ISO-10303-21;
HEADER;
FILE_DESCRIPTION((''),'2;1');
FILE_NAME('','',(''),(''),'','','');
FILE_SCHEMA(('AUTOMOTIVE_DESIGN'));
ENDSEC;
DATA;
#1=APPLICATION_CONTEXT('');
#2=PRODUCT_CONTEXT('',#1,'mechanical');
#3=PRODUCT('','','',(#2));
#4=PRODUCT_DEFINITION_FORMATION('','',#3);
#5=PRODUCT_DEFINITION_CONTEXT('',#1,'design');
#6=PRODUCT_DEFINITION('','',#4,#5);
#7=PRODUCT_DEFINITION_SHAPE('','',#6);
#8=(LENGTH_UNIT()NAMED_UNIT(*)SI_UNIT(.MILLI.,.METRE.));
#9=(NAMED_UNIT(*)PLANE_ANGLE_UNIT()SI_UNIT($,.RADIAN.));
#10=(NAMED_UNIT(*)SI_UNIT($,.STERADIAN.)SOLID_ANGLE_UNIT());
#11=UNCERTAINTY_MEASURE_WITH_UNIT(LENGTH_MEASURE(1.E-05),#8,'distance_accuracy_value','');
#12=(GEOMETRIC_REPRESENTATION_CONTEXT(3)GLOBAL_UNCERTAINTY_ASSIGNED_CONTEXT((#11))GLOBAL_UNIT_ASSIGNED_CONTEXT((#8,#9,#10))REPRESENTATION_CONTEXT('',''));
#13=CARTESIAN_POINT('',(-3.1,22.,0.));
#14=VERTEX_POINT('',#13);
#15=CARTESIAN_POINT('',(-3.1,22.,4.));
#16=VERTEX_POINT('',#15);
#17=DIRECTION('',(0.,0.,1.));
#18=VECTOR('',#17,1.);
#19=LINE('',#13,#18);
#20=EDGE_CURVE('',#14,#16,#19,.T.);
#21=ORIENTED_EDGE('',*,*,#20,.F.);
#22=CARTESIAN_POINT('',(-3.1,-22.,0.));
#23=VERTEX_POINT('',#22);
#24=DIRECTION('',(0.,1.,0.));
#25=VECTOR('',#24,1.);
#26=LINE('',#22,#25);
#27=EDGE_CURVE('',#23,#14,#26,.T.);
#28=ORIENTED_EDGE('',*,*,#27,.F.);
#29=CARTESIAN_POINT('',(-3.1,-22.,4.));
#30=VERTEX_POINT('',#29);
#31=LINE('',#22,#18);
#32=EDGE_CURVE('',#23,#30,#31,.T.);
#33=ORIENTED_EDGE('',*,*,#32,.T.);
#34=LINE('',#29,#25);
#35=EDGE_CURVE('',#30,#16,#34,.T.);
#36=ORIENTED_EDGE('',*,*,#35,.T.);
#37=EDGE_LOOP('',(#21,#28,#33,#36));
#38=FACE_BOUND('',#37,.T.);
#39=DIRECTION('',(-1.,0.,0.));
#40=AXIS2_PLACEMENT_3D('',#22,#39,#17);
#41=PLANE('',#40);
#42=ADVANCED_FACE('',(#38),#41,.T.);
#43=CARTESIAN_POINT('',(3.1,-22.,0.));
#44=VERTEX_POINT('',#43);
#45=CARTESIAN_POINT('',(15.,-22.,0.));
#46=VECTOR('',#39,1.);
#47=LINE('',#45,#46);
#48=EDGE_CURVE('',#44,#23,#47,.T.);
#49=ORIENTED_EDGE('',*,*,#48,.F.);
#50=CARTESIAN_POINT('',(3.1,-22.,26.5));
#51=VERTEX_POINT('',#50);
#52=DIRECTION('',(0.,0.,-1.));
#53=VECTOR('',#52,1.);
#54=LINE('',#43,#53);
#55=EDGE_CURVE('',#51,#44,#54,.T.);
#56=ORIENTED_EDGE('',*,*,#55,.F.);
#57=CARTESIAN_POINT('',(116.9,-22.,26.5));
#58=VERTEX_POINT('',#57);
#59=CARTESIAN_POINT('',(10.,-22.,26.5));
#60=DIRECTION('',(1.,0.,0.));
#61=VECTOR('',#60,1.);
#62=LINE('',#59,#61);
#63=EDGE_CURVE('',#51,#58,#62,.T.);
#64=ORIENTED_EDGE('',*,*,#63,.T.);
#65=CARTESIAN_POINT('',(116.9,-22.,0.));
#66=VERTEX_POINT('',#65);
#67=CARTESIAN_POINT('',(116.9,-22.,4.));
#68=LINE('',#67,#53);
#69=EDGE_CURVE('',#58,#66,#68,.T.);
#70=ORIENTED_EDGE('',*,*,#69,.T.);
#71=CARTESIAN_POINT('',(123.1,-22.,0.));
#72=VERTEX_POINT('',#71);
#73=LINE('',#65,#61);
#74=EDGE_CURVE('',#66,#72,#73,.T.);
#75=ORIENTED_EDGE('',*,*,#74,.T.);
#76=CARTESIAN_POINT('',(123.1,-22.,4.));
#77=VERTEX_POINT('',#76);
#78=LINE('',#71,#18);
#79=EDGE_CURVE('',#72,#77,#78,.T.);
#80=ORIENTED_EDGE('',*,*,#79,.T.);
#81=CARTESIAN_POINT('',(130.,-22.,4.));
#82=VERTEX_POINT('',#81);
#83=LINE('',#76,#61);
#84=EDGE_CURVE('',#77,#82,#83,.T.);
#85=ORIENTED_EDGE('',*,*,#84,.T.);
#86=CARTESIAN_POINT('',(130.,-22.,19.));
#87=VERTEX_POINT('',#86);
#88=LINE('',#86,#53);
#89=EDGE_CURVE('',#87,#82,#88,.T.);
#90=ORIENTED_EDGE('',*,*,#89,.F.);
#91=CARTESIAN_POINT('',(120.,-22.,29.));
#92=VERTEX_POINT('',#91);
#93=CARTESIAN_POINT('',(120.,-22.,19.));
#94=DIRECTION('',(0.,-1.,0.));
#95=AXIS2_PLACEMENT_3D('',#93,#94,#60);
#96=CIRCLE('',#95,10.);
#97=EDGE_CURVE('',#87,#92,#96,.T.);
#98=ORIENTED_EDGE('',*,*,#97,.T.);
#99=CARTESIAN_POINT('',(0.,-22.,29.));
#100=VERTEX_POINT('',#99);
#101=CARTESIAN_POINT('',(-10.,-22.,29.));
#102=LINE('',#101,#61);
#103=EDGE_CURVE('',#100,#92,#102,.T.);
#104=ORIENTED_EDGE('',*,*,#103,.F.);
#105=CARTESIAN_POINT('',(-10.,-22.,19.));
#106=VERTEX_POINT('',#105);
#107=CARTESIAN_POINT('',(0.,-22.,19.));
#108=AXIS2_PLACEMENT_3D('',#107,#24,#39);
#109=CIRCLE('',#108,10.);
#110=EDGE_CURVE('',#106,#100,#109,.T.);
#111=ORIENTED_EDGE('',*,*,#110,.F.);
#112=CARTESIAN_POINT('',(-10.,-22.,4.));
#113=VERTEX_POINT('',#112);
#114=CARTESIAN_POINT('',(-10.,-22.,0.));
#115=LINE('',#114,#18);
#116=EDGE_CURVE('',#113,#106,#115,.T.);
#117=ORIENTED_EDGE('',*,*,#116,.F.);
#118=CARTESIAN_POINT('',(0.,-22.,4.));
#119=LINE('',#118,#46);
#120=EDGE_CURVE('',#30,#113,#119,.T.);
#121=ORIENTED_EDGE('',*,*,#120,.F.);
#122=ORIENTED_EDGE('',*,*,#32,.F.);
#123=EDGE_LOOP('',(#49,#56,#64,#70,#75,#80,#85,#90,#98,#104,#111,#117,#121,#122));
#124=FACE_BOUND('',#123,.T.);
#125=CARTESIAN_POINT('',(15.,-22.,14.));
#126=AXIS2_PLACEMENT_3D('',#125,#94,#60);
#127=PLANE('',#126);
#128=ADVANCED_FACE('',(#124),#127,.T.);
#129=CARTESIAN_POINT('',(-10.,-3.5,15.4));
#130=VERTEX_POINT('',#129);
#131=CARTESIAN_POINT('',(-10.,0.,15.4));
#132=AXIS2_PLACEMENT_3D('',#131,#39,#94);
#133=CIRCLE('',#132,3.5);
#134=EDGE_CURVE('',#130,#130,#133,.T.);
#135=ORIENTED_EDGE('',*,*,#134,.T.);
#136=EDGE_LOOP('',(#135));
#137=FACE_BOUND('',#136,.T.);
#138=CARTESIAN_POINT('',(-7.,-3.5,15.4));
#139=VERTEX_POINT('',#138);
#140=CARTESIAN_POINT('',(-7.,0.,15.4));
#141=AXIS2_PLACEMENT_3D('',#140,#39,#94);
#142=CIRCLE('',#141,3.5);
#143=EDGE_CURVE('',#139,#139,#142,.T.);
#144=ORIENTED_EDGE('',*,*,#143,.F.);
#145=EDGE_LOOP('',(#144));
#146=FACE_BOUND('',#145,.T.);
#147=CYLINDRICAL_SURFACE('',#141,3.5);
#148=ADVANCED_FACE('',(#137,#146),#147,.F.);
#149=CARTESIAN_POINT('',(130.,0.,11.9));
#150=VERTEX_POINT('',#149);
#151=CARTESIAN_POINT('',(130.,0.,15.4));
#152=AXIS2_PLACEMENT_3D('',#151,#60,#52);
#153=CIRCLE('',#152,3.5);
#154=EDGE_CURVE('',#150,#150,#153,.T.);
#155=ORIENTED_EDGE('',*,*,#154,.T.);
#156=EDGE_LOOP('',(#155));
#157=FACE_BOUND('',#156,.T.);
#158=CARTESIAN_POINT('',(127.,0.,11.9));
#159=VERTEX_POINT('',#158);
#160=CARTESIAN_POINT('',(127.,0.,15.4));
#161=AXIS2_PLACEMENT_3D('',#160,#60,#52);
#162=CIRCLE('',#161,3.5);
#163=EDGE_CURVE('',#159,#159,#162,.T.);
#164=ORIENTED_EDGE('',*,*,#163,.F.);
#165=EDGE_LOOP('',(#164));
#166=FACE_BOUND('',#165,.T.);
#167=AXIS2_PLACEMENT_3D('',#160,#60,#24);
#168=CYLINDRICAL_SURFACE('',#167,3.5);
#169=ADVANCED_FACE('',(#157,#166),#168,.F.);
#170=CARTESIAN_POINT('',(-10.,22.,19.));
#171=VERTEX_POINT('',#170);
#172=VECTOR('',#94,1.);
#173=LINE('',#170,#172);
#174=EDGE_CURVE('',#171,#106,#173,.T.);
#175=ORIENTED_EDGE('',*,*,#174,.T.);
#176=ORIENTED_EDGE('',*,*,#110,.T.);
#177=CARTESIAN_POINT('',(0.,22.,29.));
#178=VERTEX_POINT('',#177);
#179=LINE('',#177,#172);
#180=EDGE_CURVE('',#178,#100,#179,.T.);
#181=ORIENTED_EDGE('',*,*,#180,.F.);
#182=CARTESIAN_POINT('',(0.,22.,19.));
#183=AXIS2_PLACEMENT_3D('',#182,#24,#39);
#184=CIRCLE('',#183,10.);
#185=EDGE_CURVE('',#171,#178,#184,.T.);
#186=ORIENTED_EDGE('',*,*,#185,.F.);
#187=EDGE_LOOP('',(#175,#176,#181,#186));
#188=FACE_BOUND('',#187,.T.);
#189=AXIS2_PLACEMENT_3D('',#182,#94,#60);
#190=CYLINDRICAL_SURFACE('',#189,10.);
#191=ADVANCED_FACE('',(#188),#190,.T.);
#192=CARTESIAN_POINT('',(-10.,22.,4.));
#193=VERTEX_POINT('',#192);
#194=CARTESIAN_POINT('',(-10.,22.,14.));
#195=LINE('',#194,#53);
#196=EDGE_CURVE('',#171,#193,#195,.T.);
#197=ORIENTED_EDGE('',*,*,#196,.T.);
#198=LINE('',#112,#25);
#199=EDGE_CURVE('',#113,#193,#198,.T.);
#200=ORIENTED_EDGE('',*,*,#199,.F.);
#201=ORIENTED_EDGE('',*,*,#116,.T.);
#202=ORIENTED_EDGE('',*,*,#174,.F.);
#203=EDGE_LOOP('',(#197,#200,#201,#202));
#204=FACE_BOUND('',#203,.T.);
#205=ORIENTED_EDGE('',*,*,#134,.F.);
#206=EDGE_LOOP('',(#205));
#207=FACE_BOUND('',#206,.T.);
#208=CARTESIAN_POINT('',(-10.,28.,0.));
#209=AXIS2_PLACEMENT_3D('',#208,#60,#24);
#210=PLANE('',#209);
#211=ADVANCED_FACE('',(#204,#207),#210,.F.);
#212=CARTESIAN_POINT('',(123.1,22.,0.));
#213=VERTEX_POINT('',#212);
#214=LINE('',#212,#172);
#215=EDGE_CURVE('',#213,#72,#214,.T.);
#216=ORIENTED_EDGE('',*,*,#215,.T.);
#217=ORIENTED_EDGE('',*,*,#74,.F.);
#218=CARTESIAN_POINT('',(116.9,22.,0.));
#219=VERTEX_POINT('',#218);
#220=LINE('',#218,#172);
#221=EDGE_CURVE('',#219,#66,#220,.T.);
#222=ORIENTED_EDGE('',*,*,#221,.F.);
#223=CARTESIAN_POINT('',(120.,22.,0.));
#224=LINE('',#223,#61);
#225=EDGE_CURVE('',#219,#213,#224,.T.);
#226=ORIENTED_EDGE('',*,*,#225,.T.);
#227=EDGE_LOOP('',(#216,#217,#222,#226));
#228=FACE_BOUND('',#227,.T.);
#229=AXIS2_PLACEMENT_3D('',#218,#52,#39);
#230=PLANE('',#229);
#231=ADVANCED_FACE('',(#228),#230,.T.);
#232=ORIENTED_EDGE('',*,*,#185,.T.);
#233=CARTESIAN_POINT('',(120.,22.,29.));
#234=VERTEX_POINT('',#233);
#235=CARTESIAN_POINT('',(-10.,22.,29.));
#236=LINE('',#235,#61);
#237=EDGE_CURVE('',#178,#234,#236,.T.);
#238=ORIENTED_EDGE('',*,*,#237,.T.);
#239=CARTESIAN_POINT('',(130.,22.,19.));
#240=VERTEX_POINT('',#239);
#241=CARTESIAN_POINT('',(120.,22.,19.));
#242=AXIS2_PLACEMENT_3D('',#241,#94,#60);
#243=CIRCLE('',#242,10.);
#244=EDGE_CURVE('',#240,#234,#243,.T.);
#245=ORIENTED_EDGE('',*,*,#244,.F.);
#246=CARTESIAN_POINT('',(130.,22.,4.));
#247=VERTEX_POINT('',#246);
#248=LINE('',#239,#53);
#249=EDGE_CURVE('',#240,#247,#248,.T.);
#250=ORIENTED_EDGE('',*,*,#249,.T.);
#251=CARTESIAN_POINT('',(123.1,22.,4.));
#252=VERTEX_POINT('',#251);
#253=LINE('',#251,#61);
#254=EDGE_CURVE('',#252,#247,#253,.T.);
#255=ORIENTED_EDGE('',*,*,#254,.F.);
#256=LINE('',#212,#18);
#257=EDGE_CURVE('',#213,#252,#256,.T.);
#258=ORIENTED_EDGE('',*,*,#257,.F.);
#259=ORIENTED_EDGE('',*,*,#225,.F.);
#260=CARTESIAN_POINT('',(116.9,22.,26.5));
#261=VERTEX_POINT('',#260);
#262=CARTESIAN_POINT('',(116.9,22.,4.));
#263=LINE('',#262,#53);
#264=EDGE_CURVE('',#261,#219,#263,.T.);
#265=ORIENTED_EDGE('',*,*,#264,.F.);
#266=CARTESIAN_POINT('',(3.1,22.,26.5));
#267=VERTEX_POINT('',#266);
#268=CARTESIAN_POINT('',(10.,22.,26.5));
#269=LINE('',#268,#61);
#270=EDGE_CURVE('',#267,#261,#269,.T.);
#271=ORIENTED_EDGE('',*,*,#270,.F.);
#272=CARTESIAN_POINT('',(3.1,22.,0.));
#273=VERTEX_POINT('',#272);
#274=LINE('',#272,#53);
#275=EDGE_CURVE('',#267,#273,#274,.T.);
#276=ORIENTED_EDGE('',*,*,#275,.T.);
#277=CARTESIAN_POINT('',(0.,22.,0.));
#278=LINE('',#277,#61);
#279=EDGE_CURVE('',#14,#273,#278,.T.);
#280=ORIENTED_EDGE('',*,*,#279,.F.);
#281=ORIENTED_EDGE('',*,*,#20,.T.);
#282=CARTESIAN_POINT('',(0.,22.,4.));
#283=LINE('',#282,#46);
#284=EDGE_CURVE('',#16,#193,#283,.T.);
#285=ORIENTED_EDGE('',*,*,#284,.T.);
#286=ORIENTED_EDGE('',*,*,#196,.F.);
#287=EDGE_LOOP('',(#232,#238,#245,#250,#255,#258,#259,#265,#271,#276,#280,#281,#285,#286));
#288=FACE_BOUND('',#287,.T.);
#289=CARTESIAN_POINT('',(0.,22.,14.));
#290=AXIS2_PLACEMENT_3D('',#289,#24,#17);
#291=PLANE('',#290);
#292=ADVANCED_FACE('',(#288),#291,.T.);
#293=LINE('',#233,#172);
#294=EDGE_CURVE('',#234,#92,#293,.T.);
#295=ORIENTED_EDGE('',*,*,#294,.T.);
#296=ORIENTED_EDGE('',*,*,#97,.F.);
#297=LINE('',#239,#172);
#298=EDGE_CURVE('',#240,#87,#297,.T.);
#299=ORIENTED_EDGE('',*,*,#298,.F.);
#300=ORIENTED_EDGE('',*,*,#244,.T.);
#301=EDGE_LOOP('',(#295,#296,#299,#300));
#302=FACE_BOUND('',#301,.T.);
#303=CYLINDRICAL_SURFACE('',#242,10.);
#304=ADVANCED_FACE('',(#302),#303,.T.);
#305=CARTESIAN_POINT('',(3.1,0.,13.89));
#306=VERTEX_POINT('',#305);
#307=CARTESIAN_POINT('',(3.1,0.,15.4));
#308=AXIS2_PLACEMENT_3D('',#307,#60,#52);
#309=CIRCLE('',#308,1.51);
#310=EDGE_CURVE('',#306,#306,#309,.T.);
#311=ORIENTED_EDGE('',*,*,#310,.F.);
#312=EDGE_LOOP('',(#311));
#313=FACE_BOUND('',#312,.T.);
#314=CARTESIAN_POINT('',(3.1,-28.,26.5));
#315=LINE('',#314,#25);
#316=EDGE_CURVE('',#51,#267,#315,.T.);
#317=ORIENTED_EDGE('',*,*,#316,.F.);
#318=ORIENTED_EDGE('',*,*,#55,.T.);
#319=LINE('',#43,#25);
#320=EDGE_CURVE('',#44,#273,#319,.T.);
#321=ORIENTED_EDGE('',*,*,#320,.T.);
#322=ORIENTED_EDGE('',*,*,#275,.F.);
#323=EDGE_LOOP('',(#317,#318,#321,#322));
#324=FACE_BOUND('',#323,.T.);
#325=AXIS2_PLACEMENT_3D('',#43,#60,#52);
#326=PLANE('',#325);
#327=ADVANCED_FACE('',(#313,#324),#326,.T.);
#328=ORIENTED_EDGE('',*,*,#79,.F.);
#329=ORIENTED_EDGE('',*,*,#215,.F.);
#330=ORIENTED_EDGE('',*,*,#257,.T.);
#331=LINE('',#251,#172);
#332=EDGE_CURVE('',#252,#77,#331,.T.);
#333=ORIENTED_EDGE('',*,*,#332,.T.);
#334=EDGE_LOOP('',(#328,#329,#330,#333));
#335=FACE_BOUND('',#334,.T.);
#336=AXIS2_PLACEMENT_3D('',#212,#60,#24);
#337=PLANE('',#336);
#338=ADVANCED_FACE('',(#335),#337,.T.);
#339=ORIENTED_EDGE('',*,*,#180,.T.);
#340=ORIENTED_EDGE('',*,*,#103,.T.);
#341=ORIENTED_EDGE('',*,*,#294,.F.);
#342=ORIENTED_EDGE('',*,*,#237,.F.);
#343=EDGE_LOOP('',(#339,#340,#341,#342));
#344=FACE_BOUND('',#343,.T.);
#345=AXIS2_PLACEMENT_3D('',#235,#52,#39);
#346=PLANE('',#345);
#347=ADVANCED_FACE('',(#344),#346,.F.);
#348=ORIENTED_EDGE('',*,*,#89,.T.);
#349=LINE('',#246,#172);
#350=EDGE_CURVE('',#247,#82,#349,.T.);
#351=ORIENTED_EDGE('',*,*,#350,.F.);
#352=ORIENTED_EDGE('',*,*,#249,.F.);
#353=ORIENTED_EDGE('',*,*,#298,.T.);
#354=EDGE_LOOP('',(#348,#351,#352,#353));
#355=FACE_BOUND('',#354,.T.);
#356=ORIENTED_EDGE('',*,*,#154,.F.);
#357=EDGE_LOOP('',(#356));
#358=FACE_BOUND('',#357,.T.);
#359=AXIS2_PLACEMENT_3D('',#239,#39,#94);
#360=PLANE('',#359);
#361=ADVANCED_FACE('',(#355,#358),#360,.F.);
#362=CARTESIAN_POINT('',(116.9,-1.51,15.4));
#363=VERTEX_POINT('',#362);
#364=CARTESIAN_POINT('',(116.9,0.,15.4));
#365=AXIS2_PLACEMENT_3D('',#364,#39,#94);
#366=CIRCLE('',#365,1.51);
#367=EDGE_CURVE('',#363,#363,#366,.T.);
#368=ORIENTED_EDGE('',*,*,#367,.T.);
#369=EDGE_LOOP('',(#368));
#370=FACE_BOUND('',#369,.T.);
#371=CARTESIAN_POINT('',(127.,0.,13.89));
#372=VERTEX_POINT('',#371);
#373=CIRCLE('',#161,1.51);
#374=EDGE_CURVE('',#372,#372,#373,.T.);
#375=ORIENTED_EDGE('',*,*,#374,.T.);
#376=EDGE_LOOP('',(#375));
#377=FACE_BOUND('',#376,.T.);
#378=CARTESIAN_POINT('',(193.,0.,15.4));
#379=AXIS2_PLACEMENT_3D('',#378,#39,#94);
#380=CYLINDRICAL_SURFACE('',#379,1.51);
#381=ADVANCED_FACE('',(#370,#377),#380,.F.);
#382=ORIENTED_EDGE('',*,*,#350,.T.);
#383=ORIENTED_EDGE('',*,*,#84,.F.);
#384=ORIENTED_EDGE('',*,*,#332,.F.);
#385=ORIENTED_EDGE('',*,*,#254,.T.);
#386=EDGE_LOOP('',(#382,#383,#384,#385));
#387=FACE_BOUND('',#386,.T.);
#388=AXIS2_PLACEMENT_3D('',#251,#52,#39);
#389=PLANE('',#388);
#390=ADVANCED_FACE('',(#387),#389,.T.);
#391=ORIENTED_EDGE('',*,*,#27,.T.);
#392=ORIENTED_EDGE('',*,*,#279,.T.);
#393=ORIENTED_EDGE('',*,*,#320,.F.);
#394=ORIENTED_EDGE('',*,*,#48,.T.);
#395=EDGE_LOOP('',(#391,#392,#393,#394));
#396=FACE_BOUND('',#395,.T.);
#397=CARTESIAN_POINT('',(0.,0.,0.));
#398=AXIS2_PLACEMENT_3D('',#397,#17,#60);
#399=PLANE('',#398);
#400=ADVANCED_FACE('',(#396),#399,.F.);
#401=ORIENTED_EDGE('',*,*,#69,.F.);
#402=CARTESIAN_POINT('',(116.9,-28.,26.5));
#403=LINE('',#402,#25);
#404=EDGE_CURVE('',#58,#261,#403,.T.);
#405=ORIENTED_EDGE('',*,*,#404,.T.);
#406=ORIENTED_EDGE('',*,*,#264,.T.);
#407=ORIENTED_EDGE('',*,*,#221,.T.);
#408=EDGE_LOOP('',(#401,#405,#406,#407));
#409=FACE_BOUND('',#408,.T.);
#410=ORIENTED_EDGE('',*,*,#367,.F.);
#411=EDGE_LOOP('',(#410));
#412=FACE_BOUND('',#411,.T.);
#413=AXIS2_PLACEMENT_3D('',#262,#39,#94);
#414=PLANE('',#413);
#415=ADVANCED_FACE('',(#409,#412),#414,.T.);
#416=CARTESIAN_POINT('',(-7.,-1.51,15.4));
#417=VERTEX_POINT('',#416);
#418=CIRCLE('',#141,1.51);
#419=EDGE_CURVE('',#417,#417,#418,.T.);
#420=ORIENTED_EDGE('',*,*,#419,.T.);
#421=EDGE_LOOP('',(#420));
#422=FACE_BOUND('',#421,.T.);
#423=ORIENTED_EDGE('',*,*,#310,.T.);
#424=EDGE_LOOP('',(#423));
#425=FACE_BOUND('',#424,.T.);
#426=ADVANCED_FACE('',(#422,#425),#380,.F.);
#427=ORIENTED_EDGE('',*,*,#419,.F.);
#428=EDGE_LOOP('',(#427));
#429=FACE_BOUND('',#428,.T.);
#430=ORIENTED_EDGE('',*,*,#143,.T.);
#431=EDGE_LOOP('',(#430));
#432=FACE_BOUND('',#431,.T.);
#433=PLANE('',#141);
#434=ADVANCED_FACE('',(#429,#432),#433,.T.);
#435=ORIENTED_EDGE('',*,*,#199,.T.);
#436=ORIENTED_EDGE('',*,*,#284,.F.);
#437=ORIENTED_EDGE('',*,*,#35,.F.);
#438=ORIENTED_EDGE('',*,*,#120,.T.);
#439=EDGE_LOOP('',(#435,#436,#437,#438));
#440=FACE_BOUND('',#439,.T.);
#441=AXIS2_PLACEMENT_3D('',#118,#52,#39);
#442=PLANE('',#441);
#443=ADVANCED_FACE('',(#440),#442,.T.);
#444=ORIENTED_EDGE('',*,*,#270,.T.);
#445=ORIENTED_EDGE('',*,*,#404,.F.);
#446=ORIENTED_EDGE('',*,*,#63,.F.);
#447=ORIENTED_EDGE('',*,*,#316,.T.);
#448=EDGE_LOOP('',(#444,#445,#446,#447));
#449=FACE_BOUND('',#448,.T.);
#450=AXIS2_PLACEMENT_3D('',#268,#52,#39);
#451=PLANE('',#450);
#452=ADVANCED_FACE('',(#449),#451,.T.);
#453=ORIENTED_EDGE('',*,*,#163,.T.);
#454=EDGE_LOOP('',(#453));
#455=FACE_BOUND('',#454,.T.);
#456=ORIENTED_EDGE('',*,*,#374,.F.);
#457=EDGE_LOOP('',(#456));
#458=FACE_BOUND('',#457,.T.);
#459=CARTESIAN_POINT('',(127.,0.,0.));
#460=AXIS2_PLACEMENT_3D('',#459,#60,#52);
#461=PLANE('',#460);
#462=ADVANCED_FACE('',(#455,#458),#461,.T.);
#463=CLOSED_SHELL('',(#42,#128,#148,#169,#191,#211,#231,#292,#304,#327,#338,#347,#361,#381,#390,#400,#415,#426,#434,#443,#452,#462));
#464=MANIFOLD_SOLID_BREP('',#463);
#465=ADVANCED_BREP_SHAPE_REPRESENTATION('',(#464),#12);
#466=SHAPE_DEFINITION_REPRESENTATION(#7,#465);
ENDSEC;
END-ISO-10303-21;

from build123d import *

# Parameters (mm, degrees)
EXTRUDE_1_DEPTH      = 14
CUT_EXTRUDE_1_DEPTH  = 44
SKETCH_3_W           = 6.2
SKETCH_3_H           = 6.2
CUT_EXTRUDE_2_DEPTH  = 4
SKETCH_4_R           = 4
CUT_EXTRUDE_3_DEPTH  = 5
SKETCH_5_R           = 2.6
CUT_EXTRUDE_4_DEPTH  = 5
SKETCH_6_R           = 4
EXTRUDE_2_DEPTH      = 10
SKETCH_7_W           = 6.2
SKETCH_7_H           = 4
EXTRUDE_3_DEPTH      = 40
CUT_EXTRUDE_5_DEPTH  = 50
SKETCH_9_W           = 20
SKETCH_9_H           = 25
EXTRUDE_4_DEPTH      = 44
CUT_EXTRUDE_6_DEPTH  = 44
EXTRUDE_5_DEPTH      = 44
SKETCH_12_W          = 6.9
SKETCH_12_H          = 22.5
CUT_EXTRUDE_7_DEPTH  = 50
SKETCH_13_R          = 3.5
CUT_EXTRUDE_9_DEPTH  = 3
CUT_EXTRUDE_START    = -3
SKETCH_14_R          = 3.5
CUT_EXTRUDE_10_DEPTH = 3
SKETCH_15_R          = 1.51
CUT_EXTRUDE_11_DEPTH = 200


with BuildPart() as part:
    # 草图1 → 凸台-拉伸1 (new body)
    with BuildSketch(Plane.XY):
        Polygon((-15, 22), (-15, -22), (15, -22), (15, 22), (0, 22), align=None)
    extrude(amount=EXTRUDE_1_DEPTH)

    # 草图2 → 切除-拉伸1 (cut)
    with BuildSketch(Plane(origin=(0, 22, 0), x_dir=(1, 0, 0), z_dir=(0, 1, 0))):
        Polygon((-15, 0), (-15, -14), (-10, -4), (-3.1, -4), (-3.1, 0), align=None)
        Polygon((3.1, -4), (10, -4), (15, -14), (15, 0), (3.1, 0), align=None)
    extrude(amount=-CUT_EXTRUDE_1_DEPTH, mode=Mode.SUBTRACT)

    # 草图3 → 切除-拉伸2 (cut)
    with BuildSketch(Plane(origin=(0, 0, 0), x_dir=(-1, 0, 0), z_dir=(0, 0, -1))):
        Rectangle(SKETCH_3_W, SKETCH_3_H)
    extrude(amount=-CUT_EXTRUDE_2_DEPTH, mode=Mode.SUBTRACT)

    # 草图4 → 切除-拉伸3 (cut)
    with BuildSketch(Plane.XY.offset(14)):
        Circle(SKETCH_4_R)
    extrude(amount=-CUT_EXTRUDE_3_DEPTH, mode=Mode.SUBTRACT)

    # 草图5 → 切除-拉伸4 (cut)
    with BuildSketch(Plane.XY.offset(9)):
        Circle(SKETCH_5_R)
    extrude(amount=-CUT_EXTRUDE_4_DEPTH, mode=Mode.SUBTRACT)

    # 草图6 → 凸台-拉伸2 (add)
    with BuildSketch(Plane.XY.offset(14)):
        Circle(SKETCH_6_R)
    extrude(amount=-EXTRUDE_2_DEPTH)

    # 草图7 → 凸台-拉伸3 (add)
    with BuildSketch(Plane(origin=(0, -22, 0), x_dir=(-1, 0, 0), z_dir=(0, -1, 0))):
        with Locations((0, -2)):
            Rectangle(SKETCH_7_W, SKETCH_7_H)
    extrude(amount=-EXTRUDE_3_DEPTH)

    # 草图8 → 切除-拉伸5 (cut)
    with BuildSketch(Plane.XZ.offset(22)):
        Polygon((-15, 14), (-10, 4), (-10, 14), align=None)
        Polygon((15, 14), (10, 14), (10, 4), align=None)
    extrude(amount=-CUT_EXTRUDE_5_DEPTH, mode=Mode.SUBTRACT)

    # 草图9 → 凸台-拉伸4 (add)
    with BuildSketch(Plane.XZ.offset(22)):
        with Locations((0, 16.5)):
            Rectangle(SKETCH_9_W, SKETCH_9_H)
    extrude(amount=-EXTRUDE_4_DEPTH)

    # 草图10 → 切除-拉伸6 (cut)
    with BuildSketch(Plane.XZ.offset(22)):
        with BuildLine():
            Line((-10, 29), (-10, 19))
            ThreePointArc((-10, 19), (-7.071067812, 26.071067812), (0, 29))
            Line((0, 29), (-10, 29))
        make_face()
    extrude(amount=-CUT_EXTRUDE_6_DEPTH, mode=Mode.SUBTRACT)

    # 草图11 → 凸台-拉伸5 (add)
    with BuildSketch(Plane.XZ.offset(22)):
        with BuildLine():
            Line((120, 0), (123.1, 0))
            Line((123.1, 0), (123.1, 4))
            Line((123.1, 4), (130, 4))
            Line((130, 4), (130, 19))
            ThreePointArc((130, 19), (127.071067812, 26.071067812), (120, 29))
            Line((120, 29), (110, 29))
            Line((110, 29), (10, 29))
            Line((10, 29), (10, 26.5))
            Line((10, 26.5), (110, 26.5))
            Line((110, 26.5), (110, 4))
            Line((110, 4), (116.9, 4))
            Line((116.9, 4), (116.9, 0))
            Line((116.9, 0), (120, 0))
        make_face()
    extrude(amount=-EXTRUDE_5_DEPTH)

    # 草图12 → 切除-拉伸7 (cut)
    with BuildSketch(Plane(origin=(0, 22, 0), x_dir=(1, 0, 0), z_dir=(0, 1, 0))):
        with Locations((6.55, -15.25)):
            Rectangle(SKETCH_12_W, SKETCH_12_H)
        with Locations((113.45, -15.25)):
            Rectangle(SKETCH_12_W, SKETCH_12_H)
    extrude(amount=-CUT_EXTRUDE_7_DEPTH, mode=Mode.SUBTRACT)

    # 草图13 → 切除-拉伸9 (cut)
    with BuildSketch(Plane(origin=(130, 0, 0), x_dir=(0, 0, -1), z_dir=(1, 0, 0))):
        with Locations((-15.4, 0)):
            Circle(SKETCH_13_R)
    extrude(amount=-CUT_EXTRUDE_9_DEPTH, mode=Mode.SUBTRACT)

    # 草图14 → 切除-拉伸10 (cut)
    with BuildSketch(Plane.ZY.offset(10).offset(CUT_EXTRUDE_START)):
        with Locations(Location((15.4, 0, 0), (0, 0, 180))):
            Circle(SKETCH_14_R)
    extrude(amount=CUT_EXTRUDE_10_DEPTH, mode=Mode.SUBTRACT)

    # 草图15 → 切除-拉伸11 (cut)
    with BuildSketch(Plane.ZY.offset(7)):
        with Locations(Location((15.4, 0, 0), (0, 0, 270))):
            Circle(SKETCH_15_R)
    extrude(amount=-CUT_EXTRUDE_11_DEPTH, mode=Mode.SUBTRACT)


solid = part.part
